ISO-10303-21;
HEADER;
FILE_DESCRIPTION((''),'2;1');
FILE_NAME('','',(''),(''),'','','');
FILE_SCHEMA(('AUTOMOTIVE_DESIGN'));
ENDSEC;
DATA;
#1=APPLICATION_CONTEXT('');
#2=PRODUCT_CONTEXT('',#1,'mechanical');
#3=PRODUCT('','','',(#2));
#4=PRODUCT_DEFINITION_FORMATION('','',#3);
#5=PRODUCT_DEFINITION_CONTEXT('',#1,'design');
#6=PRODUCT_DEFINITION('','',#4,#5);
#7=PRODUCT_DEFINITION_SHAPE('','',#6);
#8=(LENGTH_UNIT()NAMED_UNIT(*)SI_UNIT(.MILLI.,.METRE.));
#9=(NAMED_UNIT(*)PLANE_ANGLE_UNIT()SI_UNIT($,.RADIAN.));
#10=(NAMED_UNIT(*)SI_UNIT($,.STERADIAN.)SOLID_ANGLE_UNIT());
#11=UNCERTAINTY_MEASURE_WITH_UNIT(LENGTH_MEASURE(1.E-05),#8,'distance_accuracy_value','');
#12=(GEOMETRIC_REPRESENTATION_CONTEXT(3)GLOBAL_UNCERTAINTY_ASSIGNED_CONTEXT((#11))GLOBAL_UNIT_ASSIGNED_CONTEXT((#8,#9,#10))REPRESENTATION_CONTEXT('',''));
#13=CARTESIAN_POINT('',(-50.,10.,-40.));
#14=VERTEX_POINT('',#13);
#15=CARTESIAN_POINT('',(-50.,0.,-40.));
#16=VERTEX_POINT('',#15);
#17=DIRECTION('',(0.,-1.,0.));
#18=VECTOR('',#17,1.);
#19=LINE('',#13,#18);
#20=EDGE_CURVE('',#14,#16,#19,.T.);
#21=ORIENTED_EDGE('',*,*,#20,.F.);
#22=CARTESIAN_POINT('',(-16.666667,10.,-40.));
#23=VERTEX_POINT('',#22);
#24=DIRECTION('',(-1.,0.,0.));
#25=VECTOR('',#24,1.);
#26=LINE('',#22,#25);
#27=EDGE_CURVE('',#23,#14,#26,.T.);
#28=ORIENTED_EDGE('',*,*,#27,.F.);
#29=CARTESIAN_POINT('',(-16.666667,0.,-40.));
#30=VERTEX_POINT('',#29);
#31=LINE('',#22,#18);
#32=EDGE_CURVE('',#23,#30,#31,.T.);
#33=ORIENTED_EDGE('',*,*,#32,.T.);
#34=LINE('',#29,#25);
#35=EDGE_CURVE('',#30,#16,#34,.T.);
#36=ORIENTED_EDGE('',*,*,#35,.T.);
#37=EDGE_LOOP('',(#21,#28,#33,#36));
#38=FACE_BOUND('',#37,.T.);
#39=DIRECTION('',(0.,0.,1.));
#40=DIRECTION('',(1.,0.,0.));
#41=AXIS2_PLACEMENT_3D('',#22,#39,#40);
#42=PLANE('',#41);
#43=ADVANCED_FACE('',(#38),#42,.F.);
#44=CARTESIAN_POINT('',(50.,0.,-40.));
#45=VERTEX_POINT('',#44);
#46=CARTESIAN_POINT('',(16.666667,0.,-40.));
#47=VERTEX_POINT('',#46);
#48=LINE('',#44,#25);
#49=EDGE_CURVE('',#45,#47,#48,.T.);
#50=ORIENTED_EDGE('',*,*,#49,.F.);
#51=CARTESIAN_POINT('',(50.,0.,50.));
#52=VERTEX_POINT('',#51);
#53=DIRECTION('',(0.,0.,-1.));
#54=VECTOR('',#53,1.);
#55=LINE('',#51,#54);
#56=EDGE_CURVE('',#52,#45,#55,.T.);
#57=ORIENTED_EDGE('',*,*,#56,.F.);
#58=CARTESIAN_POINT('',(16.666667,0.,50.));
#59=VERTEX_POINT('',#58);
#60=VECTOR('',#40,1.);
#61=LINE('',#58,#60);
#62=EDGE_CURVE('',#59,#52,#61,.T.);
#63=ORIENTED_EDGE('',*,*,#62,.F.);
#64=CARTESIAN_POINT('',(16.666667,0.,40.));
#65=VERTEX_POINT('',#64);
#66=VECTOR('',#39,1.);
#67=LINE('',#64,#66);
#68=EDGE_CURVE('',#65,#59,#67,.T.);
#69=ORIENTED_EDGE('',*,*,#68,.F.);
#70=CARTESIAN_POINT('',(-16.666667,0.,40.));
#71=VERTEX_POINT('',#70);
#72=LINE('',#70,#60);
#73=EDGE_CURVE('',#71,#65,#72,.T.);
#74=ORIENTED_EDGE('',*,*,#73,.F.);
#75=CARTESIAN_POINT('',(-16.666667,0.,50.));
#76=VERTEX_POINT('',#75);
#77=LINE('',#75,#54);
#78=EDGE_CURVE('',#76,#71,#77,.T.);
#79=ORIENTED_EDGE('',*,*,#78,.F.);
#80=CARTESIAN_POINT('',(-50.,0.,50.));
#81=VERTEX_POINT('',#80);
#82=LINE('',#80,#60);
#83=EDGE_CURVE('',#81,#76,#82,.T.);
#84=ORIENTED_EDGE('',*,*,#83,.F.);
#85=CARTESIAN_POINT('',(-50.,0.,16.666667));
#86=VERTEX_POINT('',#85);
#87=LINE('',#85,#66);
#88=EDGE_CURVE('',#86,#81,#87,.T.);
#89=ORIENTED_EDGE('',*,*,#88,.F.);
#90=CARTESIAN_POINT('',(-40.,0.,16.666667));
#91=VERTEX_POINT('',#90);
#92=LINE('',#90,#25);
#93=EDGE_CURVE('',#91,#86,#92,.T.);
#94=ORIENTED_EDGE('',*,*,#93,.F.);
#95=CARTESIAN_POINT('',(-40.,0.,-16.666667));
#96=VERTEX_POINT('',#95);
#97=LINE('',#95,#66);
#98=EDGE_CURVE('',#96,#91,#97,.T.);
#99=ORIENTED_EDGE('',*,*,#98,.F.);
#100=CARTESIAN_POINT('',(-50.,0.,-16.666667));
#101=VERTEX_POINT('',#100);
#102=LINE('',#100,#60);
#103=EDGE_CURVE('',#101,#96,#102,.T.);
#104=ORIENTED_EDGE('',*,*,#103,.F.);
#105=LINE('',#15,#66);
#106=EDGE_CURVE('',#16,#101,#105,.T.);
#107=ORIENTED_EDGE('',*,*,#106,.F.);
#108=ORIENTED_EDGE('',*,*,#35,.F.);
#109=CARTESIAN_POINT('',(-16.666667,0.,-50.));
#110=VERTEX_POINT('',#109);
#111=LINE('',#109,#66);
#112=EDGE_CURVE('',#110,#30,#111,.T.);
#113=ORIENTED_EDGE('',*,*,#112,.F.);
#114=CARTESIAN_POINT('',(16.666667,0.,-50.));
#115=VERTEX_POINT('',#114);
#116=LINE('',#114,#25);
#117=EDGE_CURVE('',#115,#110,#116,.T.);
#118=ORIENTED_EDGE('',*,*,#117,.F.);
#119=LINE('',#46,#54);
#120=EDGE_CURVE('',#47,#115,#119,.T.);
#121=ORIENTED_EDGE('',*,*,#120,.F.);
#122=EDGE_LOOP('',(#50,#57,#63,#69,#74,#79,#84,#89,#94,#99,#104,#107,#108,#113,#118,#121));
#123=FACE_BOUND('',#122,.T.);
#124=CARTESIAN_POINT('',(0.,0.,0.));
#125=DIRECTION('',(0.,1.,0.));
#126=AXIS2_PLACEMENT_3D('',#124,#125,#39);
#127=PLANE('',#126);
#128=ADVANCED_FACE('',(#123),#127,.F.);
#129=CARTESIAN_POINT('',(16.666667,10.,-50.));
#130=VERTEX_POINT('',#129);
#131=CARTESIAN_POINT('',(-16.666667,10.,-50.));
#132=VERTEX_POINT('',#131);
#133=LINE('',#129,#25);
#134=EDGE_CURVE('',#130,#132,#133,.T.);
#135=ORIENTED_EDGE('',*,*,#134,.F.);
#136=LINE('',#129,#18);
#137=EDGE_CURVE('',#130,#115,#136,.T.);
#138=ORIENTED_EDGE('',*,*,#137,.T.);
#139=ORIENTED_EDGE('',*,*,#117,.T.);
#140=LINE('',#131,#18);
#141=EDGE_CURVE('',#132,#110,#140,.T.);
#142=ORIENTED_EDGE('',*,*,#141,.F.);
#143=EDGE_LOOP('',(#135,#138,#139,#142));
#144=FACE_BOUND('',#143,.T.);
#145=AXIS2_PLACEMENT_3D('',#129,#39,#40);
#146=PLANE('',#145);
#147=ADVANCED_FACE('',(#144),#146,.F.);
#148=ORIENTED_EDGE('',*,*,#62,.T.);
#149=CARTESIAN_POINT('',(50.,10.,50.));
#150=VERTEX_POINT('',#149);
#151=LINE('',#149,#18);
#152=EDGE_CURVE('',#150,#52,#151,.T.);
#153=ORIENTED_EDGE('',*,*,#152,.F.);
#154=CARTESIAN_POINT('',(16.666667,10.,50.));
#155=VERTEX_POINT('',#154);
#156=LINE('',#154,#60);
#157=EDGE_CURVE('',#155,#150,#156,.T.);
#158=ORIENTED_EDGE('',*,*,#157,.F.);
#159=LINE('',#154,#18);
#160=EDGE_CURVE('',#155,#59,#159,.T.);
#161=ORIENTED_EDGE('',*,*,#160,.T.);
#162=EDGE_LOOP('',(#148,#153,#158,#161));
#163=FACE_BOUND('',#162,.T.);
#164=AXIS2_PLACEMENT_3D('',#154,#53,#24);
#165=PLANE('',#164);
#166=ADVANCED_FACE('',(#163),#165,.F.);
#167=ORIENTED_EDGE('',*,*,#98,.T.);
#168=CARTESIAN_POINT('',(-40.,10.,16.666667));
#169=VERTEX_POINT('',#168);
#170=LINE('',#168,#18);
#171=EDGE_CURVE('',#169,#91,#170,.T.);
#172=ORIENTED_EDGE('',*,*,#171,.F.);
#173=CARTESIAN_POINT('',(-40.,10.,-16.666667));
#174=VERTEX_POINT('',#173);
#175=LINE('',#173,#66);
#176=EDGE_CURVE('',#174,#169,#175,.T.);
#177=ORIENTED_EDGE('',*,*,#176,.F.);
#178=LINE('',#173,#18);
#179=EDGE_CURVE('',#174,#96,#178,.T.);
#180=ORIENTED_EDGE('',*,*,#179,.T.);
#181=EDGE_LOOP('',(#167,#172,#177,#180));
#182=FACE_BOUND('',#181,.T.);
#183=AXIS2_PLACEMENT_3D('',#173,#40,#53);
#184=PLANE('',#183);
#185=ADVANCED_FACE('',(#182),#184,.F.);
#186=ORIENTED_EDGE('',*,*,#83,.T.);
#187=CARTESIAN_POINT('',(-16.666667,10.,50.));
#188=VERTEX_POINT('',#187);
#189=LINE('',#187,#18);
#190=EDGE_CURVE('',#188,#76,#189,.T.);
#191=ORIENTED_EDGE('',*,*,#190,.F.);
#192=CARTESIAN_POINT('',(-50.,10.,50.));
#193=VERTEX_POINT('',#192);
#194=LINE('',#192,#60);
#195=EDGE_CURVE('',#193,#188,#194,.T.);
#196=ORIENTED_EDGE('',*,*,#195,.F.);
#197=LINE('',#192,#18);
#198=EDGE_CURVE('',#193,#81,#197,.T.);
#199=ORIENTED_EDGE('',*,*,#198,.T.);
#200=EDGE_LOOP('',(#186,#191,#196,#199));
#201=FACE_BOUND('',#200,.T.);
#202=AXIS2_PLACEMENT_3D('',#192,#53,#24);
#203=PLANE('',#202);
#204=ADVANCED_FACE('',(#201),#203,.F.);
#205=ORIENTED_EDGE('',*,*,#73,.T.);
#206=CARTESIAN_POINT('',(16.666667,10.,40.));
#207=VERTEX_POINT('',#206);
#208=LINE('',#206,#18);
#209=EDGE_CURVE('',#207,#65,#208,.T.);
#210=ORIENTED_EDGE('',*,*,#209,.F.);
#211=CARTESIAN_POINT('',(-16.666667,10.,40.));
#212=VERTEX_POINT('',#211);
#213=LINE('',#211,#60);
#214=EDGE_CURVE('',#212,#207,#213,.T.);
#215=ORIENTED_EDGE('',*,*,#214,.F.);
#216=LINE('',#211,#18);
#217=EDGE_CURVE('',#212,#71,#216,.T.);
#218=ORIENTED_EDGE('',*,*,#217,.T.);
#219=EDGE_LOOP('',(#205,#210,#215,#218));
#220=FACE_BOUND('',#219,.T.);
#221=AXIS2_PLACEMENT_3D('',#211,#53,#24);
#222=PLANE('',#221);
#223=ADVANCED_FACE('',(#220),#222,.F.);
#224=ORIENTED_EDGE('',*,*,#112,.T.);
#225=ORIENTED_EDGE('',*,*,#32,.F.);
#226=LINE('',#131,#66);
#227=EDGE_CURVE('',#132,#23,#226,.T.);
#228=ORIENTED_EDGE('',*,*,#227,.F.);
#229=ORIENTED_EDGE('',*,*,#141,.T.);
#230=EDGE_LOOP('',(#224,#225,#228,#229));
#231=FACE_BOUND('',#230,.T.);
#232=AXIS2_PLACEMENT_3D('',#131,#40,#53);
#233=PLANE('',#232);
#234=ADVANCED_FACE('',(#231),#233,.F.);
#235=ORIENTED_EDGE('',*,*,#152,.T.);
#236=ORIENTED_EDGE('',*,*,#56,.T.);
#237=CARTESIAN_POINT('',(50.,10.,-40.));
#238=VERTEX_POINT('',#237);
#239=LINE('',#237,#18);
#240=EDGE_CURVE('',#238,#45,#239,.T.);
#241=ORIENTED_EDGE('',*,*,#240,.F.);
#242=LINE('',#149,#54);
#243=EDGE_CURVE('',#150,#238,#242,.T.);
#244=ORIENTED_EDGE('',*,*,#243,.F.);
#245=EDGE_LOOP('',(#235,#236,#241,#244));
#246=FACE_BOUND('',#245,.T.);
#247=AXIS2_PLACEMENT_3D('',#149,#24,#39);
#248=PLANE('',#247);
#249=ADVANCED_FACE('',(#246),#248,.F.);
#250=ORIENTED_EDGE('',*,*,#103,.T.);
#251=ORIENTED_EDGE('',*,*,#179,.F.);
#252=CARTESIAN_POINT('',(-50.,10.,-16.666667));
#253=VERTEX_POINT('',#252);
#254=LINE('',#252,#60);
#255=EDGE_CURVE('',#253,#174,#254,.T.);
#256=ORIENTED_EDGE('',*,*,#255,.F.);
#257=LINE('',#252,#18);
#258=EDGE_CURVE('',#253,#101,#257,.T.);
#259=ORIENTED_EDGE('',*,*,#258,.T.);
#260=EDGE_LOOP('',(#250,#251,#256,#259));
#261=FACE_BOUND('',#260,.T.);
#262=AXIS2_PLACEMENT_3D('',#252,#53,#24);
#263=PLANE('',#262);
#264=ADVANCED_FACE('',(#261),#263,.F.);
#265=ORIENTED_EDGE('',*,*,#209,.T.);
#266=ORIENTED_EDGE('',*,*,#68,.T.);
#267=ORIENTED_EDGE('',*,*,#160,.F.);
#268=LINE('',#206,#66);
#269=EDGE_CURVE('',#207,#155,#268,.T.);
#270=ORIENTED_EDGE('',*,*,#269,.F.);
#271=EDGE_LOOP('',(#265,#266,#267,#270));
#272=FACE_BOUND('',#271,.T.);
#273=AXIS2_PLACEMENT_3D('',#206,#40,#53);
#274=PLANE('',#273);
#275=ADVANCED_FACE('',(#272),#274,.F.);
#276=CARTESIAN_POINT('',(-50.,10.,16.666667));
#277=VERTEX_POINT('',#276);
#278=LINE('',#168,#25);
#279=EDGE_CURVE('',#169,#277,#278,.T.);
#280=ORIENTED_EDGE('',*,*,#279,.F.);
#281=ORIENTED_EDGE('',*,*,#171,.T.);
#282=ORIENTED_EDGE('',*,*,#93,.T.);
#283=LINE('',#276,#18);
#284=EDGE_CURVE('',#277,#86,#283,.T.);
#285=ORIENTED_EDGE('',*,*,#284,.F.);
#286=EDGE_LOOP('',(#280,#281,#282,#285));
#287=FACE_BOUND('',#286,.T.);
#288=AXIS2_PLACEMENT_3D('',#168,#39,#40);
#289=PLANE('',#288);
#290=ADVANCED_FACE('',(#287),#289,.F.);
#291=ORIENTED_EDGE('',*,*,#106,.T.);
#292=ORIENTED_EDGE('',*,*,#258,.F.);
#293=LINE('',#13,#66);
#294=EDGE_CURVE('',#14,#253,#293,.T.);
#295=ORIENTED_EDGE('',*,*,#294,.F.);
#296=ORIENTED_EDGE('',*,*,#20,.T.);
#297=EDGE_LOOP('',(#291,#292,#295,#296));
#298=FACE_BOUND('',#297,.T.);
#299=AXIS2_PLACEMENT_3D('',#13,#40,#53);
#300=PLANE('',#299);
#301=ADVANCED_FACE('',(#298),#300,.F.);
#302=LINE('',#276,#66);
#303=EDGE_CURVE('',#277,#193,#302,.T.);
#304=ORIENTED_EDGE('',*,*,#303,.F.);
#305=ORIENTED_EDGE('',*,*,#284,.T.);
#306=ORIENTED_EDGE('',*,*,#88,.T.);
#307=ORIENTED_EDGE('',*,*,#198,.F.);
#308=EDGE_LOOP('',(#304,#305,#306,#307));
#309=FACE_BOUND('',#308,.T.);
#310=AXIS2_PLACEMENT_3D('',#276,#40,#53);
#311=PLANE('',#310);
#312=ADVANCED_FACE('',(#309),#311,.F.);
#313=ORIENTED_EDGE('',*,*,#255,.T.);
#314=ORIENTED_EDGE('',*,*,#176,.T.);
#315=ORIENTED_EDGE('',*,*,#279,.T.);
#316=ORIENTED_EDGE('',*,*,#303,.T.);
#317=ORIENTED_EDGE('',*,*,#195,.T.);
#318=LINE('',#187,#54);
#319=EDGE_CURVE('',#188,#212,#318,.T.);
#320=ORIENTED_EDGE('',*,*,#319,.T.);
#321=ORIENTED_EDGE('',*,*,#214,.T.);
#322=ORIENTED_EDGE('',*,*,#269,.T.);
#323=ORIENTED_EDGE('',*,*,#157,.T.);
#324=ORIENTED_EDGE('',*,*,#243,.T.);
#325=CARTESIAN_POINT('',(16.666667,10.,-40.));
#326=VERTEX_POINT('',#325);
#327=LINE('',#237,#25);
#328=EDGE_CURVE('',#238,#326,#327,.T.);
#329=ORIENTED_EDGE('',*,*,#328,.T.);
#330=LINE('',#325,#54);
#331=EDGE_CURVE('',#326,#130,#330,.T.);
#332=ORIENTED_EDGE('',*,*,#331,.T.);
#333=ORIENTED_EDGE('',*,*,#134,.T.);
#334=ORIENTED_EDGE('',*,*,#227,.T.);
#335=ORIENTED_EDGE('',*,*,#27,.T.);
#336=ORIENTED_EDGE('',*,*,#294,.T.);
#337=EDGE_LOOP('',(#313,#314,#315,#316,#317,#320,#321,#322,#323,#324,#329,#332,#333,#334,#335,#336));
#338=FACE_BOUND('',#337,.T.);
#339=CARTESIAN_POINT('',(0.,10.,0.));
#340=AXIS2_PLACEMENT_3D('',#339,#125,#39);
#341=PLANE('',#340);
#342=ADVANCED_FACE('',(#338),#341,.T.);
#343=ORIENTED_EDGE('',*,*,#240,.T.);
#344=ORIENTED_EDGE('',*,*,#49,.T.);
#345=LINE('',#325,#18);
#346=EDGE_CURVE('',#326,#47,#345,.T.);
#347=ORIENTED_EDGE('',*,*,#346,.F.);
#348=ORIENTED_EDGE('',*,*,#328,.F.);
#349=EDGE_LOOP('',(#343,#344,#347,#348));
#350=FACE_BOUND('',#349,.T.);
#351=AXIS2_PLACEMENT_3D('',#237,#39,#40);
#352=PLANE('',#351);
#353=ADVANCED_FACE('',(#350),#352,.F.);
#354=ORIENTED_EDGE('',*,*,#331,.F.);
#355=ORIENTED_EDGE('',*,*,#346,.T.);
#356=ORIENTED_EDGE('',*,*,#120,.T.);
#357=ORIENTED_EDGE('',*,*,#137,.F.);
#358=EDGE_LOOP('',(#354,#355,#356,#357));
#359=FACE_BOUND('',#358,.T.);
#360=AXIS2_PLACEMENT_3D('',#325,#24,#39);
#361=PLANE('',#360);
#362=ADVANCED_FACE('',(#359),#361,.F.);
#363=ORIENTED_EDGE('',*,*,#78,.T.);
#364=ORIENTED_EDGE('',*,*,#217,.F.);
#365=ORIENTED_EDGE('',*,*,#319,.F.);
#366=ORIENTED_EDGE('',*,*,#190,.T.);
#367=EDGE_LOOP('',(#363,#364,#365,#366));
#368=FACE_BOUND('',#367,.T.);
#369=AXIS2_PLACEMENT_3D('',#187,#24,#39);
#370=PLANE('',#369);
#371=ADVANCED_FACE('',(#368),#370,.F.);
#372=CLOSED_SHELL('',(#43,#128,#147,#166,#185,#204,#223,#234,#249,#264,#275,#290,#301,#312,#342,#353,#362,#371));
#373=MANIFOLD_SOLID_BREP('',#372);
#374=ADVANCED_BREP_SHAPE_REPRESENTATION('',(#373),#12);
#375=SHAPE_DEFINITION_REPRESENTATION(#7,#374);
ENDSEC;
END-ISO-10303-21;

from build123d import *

# Parameters (mm, degrees)
SALIENTE_EXTRUIR1_DEPTH = 10


with BuildPart() as part:
    # Croquis1 → Saliente-Extruir1 (new body)
    with BuildSketch(Plane(origin=(0, 0, 0), x_dir=(1, 0, 0), z_dir=(0, 1, 0))):
        Polygon((-50, -16.666666667), (-50, -50), (-16.666666667, -50), (-16.666666667, -40), (16.666666667, -40), (16.666666667, -50), (50, -50), (50, 40), (16.666666667, 40), (16.666666667, 50), (-16.666666667, 50), (-16.666666667, 40), (-50, 40), (-50, 16.666666667), (-40, 16.666666667), (-40, -16.666666667), align=None)
    extrude(amount=SALIENTE_EXTRUIR1_DEPTH)


solid = part.part
